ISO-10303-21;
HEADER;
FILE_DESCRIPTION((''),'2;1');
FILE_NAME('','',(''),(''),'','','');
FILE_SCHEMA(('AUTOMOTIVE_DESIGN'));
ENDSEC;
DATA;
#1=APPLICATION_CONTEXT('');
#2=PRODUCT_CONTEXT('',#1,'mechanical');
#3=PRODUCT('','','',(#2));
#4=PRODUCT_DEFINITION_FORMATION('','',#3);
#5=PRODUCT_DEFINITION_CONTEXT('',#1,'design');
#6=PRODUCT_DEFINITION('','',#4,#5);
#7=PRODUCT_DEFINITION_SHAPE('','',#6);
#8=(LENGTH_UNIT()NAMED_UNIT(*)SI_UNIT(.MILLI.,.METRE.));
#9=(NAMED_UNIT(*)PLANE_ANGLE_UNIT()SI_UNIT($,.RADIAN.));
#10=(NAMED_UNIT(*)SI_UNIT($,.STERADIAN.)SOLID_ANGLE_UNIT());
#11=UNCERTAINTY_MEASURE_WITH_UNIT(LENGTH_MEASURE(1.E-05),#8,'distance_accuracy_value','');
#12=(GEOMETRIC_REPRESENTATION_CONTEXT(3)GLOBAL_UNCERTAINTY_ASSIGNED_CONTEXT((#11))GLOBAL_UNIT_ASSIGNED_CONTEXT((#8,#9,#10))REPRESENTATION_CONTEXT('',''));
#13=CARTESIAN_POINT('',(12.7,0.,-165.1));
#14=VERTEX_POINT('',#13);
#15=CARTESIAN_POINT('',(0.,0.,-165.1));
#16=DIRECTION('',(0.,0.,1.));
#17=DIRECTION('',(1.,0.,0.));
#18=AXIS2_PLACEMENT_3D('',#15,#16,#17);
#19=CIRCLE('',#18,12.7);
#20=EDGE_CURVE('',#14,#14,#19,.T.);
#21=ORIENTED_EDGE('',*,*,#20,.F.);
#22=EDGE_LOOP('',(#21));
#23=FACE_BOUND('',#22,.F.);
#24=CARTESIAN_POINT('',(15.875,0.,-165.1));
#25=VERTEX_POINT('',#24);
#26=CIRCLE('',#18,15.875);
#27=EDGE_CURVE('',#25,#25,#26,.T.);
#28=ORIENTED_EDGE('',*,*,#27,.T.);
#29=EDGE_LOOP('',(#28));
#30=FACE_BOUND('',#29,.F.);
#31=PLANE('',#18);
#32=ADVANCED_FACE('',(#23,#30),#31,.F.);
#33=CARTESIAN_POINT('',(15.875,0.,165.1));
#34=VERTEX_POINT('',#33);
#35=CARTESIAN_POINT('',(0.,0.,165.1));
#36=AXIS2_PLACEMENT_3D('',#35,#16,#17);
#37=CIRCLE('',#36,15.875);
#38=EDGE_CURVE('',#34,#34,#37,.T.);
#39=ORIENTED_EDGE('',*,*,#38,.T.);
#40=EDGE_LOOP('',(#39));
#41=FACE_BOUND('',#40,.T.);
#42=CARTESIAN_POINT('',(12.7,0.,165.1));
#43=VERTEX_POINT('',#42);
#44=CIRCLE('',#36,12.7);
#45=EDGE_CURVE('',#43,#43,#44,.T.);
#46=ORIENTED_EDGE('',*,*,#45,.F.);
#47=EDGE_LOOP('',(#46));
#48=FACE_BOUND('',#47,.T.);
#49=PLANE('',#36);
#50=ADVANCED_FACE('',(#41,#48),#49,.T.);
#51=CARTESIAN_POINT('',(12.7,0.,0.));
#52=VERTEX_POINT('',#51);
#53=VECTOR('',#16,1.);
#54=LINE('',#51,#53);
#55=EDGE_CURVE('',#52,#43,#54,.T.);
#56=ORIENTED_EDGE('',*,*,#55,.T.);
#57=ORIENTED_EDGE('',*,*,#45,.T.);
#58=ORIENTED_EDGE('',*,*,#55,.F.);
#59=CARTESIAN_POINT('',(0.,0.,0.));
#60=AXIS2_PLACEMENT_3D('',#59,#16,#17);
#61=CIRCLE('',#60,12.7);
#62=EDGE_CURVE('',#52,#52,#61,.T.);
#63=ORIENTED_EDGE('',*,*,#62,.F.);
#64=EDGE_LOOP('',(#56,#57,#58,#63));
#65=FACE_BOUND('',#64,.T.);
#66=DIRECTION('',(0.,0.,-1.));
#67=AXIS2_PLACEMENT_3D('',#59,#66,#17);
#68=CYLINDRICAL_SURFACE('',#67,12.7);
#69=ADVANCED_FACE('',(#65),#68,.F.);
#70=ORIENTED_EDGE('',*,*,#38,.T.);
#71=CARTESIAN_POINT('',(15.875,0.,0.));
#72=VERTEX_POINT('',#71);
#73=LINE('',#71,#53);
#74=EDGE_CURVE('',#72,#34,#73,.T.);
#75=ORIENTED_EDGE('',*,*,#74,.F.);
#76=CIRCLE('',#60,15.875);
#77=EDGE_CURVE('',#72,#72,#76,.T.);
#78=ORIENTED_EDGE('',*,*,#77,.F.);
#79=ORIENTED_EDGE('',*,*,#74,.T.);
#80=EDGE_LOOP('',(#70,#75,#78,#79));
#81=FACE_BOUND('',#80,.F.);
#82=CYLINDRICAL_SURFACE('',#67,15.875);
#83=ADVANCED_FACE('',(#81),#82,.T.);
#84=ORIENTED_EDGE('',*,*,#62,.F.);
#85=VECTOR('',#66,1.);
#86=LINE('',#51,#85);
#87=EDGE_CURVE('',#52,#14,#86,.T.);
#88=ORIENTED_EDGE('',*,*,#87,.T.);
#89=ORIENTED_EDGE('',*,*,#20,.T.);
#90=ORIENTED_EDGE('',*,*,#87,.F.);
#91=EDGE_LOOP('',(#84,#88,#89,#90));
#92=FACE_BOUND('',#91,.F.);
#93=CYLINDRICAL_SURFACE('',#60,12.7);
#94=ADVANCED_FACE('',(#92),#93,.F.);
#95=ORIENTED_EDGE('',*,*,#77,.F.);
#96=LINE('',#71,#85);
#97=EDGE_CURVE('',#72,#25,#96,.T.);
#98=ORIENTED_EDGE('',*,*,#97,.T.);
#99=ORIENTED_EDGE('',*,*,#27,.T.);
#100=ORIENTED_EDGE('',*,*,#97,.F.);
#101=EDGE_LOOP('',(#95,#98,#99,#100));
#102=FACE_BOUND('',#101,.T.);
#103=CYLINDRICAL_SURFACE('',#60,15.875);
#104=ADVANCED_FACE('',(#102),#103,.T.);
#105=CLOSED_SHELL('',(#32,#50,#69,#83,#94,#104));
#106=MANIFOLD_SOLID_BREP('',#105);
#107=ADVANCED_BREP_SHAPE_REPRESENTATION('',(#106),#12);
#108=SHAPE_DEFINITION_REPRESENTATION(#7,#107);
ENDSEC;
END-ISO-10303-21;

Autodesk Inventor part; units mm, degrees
ref_plane "YZ Plane" through (0, 0, 0) normal (1, 0, 0) x (0, 1, 0)
ref_plane "XZ Plane" through (0, 0, 0) normal (0, 1, 0) x (-1, 0, 0)
ref_plane "XY Plane" through (0, 0, 0) normal (0, 0, 1) x (1, 0, 0)
sketch "Sketch1" plane through (0, 0, 0) normal (0, 0, 1) x (1, 0, 0)
  circle A0 centre (0, 0) radius 12.7
  circle A1 centre (0, 0) radius 15.875
  dimension "d2" = 31.75
  dimension "d5" = 3.175
extrude "Extrusion1" add sketch "Sketch1" along normal mid plane 330.2
properties part number "ClimberAxel" material "Aluminum 6061"
